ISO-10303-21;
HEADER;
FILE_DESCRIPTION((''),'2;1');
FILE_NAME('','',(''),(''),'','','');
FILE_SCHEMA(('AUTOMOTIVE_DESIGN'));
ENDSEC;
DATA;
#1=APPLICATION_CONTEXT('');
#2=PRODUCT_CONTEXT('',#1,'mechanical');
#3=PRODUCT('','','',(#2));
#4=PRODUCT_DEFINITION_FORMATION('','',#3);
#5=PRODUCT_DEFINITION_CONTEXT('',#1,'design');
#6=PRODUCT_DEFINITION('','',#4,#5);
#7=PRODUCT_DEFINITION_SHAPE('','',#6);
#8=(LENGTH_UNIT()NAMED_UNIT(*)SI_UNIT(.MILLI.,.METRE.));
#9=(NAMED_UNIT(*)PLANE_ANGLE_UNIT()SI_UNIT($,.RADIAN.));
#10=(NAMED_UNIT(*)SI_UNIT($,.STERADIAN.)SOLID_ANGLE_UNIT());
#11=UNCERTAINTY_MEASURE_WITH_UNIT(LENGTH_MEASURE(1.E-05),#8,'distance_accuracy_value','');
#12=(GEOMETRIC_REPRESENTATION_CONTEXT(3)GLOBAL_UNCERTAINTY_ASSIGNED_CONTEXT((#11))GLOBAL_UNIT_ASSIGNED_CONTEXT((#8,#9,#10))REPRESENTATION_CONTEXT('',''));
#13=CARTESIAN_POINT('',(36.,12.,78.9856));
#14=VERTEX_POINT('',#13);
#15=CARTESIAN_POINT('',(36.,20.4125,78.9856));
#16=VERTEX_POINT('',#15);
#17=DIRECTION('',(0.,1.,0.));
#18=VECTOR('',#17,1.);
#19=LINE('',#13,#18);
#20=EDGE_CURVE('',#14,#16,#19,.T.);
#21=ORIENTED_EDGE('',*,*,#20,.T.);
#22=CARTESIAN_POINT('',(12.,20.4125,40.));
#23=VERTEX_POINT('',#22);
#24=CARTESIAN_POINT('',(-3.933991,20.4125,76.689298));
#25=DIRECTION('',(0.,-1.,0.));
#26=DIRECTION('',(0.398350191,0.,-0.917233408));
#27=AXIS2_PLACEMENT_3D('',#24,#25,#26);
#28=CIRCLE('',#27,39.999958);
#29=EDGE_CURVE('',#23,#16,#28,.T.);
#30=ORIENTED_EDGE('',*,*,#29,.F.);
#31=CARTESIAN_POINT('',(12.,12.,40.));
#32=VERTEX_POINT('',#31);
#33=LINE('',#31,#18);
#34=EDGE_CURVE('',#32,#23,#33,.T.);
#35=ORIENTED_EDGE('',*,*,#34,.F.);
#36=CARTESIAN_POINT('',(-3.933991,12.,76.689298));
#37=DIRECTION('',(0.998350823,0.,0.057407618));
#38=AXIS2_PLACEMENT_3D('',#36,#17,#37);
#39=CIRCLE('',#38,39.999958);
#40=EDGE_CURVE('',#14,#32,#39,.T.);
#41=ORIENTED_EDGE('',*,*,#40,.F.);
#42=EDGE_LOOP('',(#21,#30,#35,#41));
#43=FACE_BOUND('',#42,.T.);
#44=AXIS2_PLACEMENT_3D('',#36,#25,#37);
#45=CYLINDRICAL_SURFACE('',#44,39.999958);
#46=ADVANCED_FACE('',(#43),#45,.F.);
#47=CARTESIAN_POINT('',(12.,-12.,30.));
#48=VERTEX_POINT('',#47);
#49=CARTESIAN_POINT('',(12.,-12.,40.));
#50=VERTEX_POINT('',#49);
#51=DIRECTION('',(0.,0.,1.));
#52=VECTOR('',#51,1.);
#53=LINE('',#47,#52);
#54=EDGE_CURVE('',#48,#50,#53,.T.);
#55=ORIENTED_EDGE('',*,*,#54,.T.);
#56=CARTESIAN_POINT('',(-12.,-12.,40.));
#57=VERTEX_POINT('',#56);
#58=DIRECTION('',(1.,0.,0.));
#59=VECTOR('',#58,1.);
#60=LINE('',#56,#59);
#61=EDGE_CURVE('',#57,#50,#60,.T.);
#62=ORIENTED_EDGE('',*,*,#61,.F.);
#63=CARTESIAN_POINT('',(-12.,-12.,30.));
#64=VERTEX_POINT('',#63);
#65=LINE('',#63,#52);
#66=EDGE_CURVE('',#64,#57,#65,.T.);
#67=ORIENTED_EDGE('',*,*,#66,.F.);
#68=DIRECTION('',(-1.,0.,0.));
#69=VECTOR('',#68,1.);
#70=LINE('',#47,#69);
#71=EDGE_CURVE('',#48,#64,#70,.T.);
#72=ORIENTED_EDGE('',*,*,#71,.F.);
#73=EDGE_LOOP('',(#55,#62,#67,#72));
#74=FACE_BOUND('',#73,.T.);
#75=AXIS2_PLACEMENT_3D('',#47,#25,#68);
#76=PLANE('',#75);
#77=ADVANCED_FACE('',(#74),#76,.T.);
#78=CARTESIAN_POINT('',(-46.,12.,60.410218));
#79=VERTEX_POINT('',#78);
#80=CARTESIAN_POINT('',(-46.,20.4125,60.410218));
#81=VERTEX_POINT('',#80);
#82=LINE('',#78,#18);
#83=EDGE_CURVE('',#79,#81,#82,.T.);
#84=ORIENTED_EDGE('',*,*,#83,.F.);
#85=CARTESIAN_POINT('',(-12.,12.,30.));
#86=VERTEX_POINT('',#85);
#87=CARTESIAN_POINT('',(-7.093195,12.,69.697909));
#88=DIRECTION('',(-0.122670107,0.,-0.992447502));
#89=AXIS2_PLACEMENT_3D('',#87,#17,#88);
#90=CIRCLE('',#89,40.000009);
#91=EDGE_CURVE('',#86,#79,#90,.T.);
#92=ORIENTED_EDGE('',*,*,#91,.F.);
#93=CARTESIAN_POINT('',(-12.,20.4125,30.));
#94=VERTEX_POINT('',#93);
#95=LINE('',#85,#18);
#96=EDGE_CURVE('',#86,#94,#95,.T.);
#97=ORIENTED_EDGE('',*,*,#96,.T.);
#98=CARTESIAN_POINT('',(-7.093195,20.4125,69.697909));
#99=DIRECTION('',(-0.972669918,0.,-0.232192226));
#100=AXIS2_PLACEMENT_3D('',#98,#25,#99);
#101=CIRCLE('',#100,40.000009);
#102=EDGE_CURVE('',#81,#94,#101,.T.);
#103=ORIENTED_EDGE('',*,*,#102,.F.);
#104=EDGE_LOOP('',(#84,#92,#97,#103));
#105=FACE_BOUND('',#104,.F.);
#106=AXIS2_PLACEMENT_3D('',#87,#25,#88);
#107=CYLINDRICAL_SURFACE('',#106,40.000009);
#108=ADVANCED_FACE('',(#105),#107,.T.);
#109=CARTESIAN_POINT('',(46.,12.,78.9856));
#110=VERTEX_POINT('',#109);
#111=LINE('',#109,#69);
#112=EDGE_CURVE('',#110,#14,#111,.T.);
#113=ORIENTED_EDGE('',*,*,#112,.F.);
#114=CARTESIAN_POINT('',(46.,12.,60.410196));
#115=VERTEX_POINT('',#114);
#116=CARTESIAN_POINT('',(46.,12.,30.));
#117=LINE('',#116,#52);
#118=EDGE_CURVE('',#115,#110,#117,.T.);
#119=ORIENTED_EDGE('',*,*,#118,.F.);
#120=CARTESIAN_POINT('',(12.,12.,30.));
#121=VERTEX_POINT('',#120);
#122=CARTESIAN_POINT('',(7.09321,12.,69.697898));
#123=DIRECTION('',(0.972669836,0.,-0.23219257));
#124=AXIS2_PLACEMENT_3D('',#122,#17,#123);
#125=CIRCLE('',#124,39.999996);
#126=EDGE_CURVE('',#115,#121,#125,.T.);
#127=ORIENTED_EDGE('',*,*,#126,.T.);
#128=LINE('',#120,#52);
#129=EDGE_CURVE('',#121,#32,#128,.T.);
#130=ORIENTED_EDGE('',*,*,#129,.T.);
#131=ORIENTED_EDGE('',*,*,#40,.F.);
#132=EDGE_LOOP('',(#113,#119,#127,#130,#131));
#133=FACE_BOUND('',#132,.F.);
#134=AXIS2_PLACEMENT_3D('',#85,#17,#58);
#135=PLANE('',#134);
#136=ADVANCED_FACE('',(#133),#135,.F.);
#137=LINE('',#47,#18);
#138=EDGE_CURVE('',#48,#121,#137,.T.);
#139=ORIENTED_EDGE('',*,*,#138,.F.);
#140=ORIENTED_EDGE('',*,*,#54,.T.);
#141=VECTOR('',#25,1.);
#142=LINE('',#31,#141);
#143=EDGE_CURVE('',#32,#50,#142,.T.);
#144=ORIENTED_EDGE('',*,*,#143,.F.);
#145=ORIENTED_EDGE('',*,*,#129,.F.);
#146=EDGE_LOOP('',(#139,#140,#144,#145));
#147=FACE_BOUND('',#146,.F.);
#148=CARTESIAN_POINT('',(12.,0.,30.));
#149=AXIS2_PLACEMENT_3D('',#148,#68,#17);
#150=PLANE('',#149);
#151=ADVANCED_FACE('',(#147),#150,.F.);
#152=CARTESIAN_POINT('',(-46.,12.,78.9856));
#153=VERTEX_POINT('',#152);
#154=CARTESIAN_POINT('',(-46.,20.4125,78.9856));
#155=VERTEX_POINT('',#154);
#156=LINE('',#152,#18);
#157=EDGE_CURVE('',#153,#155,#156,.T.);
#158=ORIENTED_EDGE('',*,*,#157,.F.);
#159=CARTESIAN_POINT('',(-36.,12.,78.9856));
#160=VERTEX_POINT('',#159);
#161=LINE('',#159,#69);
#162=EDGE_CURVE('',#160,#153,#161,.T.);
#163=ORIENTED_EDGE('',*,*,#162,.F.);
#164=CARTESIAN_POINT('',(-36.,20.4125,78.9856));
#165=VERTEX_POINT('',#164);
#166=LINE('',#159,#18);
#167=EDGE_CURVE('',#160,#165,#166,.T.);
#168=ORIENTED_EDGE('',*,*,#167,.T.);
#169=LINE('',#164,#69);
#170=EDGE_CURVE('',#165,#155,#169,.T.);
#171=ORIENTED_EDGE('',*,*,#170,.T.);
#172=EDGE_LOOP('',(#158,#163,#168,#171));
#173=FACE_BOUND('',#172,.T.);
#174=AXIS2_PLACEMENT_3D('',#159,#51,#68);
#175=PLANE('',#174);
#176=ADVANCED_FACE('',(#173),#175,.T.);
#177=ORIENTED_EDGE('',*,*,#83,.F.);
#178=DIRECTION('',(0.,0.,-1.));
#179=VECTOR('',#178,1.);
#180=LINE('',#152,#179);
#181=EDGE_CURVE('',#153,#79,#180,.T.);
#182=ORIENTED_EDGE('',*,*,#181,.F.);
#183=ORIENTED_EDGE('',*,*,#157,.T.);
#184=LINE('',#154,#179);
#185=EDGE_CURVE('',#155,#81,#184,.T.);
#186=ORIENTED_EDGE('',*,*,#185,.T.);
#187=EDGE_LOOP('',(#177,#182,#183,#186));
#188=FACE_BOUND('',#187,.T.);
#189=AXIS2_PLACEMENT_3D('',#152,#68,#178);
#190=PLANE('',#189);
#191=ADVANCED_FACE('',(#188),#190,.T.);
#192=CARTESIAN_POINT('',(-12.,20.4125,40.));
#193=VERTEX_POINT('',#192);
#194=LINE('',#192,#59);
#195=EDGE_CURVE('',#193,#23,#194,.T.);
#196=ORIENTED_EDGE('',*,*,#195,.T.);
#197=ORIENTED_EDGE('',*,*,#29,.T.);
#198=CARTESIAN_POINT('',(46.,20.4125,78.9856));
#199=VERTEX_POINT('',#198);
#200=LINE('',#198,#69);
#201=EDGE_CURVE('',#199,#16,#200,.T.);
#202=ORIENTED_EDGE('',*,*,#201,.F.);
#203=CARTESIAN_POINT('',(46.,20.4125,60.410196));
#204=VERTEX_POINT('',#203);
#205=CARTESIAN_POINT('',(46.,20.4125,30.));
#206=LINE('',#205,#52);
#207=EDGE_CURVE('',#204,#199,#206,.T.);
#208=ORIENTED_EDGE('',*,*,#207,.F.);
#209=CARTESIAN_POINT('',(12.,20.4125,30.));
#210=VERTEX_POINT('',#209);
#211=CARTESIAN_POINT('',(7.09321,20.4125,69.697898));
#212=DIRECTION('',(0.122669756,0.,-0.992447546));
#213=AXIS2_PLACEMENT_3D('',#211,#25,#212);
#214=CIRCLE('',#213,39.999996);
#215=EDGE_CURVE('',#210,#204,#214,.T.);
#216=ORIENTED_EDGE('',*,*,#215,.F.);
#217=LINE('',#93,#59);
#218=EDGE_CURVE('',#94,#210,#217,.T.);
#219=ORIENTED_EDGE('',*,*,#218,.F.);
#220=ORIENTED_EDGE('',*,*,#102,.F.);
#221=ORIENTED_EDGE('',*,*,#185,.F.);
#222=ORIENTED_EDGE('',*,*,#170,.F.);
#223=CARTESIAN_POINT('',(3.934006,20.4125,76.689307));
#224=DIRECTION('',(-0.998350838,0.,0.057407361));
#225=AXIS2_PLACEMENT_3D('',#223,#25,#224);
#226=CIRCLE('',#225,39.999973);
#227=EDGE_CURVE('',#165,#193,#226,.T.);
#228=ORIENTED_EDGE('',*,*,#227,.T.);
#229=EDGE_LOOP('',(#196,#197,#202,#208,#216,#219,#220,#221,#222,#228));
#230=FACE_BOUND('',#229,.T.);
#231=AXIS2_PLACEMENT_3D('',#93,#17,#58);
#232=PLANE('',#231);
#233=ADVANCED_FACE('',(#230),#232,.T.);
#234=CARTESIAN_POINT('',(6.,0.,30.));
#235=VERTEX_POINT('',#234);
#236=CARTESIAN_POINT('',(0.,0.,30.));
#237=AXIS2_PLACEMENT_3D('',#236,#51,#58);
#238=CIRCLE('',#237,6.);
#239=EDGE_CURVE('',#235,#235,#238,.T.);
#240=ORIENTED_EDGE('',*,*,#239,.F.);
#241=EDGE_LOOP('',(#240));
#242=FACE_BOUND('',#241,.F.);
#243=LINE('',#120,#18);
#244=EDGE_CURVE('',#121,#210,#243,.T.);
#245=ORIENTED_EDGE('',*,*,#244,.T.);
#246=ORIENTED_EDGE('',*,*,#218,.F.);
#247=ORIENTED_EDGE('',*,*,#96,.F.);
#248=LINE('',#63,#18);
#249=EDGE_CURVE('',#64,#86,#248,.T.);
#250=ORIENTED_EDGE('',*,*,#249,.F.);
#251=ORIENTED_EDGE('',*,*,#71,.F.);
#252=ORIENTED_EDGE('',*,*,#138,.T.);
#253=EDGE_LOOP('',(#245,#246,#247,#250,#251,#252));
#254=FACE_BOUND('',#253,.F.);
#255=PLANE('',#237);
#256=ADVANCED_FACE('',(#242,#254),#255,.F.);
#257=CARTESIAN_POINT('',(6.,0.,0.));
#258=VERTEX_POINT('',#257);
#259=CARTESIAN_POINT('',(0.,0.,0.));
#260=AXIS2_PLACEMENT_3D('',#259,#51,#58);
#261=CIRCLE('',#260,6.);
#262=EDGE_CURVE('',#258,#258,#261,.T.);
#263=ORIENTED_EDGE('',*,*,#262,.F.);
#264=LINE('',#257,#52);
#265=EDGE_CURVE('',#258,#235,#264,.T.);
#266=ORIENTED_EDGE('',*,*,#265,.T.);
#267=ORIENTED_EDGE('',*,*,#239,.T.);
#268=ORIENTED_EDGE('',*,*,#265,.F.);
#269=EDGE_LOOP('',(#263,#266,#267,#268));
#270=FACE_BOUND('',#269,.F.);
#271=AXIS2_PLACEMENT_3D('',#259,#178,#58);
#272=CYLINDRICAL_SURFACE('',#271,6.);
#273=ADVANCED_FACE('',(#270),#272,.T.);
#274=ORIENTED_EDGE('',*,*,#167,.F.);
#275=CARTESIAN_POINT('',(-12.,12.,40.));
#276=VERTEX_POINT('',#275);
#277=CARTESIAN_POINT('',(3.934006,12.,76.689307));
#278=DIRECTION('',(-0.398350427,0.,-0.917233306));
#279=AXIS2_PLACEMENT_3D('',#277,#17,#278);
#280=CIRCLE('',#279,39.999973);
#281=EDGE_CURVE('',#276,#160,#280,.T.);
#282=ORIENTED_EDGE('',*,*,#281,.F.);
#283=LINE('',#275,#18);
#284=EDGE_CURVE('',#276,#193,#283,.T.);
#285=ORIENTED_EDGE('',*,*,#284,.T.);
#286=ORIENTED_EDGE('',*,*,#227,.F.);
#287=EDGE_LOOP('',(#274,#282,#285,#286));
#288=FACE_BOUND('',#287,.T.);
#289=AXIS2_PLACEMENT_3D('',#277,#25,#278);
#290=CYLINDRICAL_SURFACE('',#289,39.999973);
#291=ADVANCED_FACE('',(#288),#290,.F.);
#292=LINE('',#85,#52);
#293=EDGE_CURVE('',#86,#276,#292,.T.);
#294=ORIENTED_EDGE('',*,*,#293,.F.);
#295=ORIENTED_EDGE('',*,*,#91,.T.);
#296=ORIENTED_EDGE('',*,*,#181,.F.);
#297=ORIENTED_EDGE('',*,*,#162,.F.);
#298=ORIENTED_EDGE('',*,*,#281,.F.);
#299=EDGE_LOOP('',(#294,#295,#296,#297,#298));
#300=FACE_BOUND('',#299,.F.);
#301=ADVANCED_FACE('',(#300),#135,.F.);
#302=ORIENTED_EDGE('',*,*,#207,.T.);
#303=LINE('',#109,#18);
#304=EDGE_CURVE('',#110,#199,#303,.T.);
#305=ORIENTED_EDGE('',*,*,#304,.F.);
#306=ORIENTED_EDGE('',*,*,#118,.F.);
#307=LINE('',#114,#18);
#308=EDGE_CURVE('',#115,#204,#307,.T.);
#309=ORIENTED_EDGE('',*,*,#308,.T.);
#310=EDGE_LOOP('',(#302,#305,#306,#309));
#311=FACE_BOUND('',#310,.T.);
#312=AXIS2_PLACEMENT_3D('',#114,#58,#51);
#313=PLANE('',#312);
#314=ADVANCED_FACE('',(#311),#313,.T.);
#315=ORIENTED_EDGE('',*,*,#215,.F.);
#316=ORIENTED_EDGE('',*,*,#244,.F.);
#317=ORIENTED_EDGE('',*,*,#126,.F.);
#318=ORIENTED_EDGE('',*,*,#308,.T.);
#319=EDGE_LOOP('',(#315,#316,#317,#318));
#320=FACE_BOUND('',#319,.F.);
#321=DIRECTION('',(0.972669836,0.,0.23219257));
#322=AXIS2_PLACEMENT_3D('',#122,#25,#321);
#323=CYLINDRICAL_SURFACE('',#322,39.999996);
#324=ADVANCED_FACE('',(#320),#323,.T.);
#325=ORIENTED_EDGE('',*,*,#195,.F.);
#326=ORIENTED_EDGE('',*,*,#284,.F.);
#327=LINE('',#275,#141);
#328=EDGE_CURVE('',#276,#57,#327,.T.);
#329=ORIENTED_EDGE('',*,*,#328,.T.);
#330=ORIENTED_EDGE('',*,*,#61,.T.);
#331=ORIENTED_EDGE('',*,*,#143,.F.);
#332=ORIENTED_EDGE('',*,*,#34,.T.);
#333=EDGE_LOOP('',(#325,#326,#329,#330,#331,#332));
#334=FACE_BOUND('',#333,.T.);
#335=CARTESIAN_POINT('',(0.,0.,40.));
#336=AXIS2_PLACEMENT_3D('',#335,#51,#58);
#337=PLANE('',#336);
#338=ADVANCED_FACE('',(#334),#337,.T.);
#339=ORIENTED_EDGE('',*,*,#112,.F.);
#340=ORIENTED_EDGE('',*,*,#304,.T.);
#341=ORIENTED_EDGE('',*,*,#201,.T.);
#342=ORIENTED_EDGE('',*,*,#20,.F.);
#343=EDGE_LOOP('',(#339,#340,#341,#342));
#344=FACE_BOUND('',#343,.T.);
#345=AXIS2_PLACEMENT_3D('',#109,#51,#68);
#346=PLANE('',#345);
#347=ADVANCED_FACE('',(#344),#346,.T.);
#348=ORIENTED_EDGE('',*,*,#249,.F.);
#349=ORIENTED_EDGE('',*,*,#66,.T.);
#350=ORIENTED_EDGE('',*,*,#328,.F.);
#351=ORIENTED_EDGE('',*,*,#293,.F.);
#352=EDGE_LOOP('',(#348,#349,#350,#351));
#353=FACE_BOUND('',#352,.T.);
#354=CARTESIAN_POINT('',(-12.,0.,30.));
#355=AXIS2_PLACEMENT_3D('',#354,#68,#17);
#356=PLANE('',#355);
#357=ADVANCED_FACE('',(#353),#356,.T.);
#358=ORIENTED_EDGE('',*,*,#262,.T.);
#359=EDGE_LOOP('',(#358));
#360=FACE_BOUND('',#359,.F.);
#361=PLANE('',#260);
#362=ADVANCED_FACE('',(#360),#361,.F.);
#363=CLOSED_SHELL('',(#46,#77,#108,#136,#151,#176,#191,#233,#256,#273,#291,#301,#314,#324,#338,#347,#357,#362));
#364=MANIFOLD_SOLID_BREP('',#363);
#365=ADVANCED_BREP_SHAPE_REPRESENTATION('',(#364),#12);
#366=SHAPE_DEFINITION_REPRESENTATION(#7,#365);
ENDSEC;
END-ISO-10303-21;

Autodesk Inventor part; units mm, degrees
ref_plane "YZ Plane" through (0, 0, 0) normal (1, 0, 0) x (0, 1, 0)
ref_plane "XZ Plane" through (0, 0, 0) normal (0, 1, 0) x (-1, 0, 0)
ref_plane "XY Plane" through (0, 0, 0) normal (0, 0, 1) x (1, 0, 0)
sketch "Sketch1" plane through (0, 0, 0) normal (0, 0, 1) x (1, 0, 0)
  circle A0 centre (0, 0) radius 6
  dimension "d0" = 12
extrude "Extrusion1" add sketch "Sketch1" along normal blind 30
sketch "Sketch2" plane through (0, 0, 30) normal (0, 0, 1) x (1, 0, 0)
  line L0 (0, 0) -> (12, 0)
  line L1 (12, 0) -> (12, 12)
  line L2 (12, 12) -> (0, 12)
  line L3 (0, 12) -> (0, 0)
  line L4 (0, 0) -> (12, 0)
  line L5 (12, 0) -> (12, -12)
  line L6 (12, -12) -> (0, -12)
  line L7 (0, -12) -> (0, 0)
  line L8 (0, 0) -> (-12, 0)
  line L9 (-12, 0) -> (-12, 12)
  line L10 (-12, 12) -> (0, 12)
  line L11 (0, 12) -> (0, 0)
  line L12 (-12, 0) -> (0, 0)
  line L13 (0, 0) -> (0, -12)
  line L14 (0, -12) -> (-12, -12)
  line L15 (-12, -12) -> (-12, 0)
  dimension "d3" = 12
  dimension "d4" = 12
  dimension "d5" = 12
  dimension "d6" = 12
extrude "Extrusion2" add sketch "Sketch2" along normal blind 10
sketch "Sketch3" plane through (-12, 12, 30) normal (0, 1, 0) x (1, 0, 0)
  line L0 (0, 0) -> (24, 0) projected
  line L1 (0, 0) -> (24, 0)
  line L2 (24, 0) -> (24, -48.9856)
  line L3 (24, -48.9856) -> (0, -48.9856)
  line L4 (0, -48.9856) -> (0, 0)
  line L5 (0, 0) -> (0, -10) projected
  line L6 (0, 0) -> (-24, 0)
  line L7 (-24, 0) -> (-24, -48.9856)
  line L8 (-24, -48.9856) -> (0, -48.9856)
  line L9 (0, -48.9856) -> (0, 0)
  arc A0 (0, -10) -> (-24, -48.9856) centre (15.934, -46.6893) ccw
  line L10 (24, 0) -> (24, -10) projected
  line L11 (24, 0) -> (48, 0)
  line L12 (48, 0) -> (48, -48.9856)
  line L13 (48, -48.9856) -> (24, -48.9856)
  line L14 (24, -48.9856) -> (24, 0)
  line L15 (0, -10) -> (24, -10) projected
  arc A1 (48, -48.9856) -> (24, -10) centre (8.066, -46.6893) ccw
  line L16 (-24, -48.9856) -> (-34, -48.9856)
  line L17 (-34, -48.9856) -> (-34, 0)
  line L18 (-34, 0) -> (-24, 0)
  line L19 (-24, 0) -> (-24, -48.9856)
  line L20 (48, 0) -> (58, 0)
  line L21 (58, 0) -> (58, -48.9856)
  line L22 (58, -48.9856) -> (48, -48.9856)
  line L23 (48, -48.9856) -> (48, 0)
  arc A2 (0, 0) -> (-34, -48.9856) centre (4.9068, -39.6979) ccw
  arc A3 (58, -48.9856) -> (24, 0) centre (19.0932, -39.6979) ccw
  point P0 (12, 30)
  point P1 (58, -30.4102)
  point P2 (-34, -30.4102)
  dimension "d9" = 24
  dimension "d10" = 24
  dimension "d11" = 40
  dimension "d12" = 24
  dimension "d13" = 40
  dimension "d14" = 10
  dimension "d15" = 10
  dimension "d16" = 40
  dimension "d17" = 40
extrude "Extrusion3" add sketch "Sketch3" along normal blind 8.4125 contours L0 L2 L15 L4 | L4 A0 L7 A2 | A3 L12 A1 L2 | L7 A0 L16 L17 A2 | A3 L21 L22 A1 L12
properties part number "End"
